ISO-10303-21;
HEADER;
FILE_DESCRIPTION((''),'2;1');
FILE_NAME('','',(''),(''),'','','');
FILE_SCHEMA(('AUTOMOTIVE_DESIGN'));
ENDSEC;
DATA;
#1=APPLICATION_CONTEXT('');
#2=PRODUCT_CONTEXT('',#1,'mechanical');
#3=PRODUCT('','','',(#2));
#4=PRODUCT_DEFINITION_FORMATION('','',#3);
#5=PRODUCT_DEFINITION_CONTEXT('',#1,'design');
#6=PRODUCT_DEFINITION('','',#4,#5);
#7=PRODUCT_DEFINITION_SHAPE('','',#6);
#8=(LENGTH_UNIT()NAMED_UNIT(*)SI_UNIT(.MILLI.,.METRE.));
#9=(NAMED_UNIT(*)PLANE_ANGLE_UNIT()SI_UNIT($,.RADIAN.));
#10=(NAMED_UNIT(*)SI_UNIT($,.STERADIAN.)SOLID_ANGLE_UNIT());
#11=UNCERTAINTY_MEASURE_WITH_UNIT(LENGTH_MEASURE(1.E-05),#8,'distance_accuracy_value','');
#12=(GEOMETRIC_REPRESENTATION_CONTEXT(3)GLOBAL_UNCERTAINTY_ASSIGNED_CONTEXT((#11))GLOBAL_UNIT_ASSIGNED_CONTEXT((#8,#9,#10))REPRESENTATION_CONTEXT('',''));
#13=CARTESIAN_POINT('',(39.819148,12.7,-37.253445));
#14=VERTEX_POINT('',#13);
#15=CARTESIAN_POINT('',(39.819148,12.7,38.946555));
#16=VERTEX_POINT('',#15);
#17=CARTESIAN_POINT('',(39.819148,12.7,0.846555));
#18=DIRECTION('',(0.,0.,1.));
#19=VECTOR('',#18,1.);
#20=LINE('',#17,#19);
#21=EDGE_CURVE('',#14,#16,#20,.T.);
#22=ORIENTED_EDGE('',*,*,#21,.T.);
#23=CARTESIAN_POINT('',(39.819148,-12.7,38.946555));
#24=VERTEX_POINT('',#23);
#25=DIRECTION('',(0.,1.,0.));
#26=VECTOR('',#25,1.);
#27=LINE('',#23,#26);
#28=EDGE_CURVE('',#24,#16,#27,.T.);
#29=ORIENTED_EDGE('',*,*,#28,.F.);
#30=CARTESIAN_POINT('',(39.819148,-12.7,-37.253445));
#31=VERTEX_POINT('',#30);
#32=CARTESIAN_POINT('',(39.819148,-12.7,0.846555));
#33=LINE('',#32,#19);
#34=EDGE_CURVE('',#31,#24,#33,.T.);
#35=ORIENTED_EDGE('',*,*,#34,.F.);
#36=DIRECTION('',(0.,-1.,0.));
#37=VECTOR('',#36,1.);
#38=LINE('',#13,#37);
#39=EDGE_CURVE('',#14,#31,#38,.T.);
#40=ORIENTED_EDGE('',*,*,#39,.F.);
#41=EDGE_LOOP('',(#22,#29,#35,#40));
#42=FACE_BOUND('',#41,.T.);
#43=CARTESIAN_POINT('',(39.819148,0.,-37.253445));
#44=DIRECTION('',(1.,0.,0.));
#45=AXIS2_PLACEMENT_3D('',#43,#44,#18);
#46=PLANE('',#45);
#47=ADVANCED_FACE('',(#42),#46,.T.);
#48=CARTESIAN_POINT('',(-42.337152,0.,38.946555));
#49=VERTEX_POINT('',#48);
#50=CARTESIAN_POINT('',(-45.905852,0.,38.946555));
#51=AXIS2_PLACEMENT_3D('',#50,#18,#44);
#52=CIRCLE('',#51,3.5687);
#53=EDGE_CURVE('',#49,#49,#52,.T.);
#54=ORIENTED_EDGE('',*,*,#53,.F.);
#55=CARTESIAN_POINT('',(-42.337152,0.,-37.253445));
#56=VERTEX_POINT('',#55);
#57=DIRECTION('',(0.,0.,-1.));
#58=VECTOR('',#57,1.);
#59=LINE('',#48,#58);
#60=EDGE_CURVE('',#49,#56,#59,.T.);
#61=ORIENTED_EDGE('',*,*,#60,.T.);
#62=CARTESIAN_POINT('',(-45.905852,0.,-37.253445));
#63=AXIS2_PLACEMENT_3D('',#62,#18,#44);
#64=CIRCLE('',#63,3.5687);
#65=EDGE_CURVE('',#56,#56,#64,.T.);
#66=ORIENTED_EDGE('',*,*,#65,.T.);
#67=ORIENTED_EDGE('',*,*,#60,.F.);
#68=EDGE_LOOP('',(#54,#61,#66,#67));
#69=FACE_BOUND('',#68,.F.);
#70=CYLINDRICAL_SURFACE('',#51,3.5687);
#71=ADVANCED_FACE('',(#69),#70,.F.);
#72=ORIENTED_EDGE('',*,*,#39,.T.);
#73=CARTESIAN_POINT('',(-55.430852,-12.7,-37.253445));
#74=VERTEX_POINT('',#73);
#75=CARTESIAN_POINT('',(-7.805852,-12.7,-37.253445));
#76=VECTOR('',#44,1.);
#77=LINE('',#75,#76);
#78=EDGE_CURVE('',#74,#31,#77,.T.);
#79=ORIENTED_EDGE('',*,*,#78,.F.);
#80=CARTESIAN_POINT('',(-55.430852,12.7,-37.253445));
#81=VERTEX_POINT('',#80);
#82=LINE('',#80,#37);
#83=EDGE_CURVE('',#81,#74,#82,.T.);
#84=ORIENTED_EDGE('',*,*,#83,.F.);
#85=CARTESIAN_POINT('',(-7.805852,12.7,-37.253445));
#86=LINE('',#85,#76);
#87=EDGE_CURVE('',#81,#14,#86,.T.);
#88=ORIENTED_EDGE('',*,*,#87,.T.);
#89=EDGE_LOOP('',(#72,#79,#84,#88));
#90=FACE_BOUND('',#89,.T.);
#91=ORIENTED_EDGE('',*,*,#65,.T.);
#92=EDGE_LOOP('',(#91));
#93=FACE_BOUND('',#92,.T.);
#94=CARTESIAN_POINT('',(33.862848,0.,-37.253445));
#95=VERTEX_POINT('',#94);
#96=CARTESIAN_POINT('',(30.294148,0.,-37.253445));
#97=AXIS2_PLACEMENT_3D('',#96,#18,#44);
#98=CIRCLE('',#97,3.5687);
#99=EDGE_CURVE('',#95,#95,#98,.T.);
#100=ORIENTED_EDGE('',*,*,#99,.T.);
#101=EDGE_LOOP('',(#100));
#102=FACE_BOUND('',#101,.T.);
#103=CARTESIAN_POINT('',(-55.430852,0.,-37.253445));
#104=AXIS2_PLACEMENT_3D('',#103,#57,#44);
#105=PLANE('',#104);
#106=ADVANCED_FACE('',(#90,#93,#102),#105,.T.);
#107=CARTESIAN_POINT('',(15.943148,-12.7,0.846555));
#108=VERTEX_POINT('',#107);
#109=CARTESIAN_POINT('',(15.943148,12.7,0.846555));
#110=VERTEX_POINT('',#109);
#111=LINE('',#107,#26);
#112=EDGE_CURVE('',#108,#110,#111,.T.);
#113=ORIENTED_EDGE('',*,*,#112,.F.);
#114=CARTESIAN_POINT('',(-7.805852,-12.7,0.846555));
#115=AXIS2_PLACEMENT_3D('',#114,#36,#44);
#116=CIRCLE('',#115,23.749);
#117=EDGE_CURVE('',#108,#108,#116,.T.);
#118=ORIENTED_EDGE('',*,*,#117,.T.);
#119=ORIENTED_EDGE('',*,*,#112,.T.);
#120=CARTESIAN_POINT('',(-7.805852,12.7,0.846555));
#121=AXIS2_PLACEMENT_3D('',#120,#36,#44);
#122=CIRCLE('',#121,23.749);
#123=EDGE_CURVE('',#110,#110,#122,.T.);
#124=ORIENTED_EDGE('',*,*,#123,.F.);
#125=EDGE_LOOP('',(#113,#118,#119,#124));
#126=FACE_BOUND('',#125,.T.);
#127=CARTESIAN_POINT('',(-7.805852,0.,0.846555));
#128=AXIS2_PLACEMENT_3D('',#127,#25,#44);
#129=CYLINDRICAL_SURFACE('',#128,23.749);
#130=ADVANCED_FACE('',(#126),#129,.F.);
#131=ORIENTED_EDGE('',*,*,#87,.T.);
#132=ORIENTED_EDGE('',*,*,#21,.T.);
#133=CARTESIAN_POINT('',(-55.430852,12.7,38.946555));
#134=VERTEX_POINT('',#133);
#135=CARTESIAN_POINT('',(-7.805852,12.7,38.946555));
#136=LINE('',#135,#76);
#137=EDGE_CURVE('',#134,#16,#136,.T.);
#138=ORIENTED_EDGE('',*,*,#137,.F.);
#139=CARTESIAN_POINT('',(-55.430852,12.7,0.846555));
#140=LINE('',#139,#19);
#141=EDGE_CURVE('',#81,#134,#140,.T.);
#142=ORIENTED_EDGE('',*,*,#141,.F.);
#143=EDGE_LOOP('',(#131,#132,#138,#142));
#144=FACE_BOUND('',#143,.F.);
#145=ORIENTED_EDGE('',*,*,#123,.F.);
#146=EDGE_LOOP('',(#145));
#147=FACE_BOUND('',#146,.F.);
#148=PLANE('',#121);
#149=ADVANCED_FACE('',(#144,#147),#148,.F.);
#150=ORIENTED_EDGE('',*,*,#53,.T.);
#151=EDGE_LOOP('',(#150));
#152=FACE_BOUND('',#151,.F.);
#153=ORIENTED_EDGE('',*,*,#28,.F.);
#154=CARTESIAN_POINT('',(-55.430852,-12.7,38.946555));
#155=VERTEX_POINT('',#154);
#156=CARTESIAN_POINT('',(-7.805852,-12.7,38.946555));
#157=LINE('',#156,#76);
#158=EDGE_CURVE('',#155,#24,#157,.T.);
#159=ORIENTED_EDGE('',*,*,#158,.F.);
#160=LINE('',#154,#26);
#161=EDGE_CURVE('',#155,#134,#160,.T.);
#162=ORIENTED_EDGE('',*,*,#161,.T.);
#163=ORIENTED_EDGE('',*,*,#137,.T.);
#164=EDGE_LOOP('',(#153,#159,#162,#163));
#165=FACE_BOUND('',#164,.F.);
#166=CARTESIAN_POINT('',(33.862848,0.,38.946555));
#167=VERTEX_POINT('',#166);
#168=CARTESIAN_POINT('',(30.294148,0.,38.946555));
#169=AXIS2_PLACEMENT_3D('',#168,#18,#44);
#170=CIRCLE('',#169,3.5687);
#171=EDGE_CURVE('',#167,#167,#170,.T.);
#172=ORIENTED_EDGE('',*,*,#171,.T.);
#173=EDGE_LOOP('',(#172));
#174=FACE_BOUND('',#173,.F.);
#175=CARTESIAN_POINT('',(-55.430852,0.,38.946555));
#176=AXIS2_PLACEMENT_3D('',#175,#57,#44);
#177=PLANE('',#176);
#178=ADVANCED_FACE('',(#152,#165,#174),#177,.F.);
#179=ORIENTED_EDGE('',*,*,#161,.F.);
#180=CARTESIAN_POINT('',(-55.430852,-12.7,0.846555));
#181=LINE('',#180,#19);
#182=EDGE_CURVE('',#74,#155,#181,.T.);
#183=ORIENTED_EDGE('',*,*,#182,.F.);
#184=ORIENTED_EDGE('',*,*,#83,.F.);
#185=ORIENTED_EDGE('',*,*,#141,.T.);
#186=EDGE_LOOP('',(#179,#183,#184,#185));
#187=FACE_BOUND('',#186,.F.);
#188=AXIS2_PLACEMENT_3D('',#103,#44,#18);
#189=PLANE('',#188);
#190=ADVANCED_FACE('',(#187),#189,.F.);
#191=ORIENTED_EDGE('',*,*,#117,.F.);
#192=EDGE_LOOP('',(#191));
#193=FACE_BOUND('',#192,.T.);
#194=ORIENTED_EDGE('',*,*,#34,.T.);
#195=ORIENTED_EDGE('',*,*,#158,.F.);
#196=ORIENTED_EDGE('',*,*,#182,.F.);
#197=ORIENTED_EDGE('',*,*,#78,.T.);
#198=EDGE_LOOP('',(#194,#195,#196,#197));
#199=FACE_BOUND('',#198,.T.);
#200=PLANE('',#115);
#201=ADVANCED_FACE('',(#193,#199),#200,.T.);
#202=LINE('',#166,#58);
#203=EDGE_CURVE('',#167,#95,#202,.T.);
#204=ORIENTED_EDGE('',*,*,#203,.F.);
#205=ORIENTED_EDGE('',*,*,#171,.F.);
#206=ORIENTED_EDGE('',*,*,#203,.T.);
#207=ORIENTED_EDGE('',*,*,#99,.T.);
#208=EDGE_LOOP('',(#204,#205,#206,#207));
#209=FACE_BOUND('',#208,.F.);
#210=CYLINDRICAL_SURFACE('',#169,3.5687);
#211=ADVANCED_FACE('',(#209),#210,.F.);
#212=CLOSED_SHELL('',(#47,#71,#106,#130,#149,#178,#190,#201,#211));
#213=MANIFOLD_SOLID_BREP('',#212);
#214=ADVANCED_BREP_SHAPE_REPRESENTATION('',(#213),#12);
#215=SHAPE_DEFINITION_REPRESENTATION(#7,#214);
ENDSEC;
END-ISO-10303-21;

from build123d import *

# Parameters (mm, degrees)
F0_W     = 95.25
F0_H     = 76.2
F0_R     = 23.749
F1_DEPTH = 12.7
F2_R     = 3.5687
F3_DEPTH = 76.2


with BuildPart() as f1:
    # F0 (on Front) → F1 (new body, symmetric)
    with BuildSketch(Plane.XZ):
        with Locations((-7.805852, 0.846555)):
            Rectangle(F0_W, F0_H)
        with Locations((-7.805852, 0.846555)):
            Circle(F0_R, mode=Mode.SUBTRACT)
    extrude(amount=F1_DEPTH, both=True)

    # F2 (on face) → F3 (cut)
    with BuildSketch(Plane.XY.offset(38.946555)):
        with Locations((-45.905852, 0)):
            Circle(F2_R)
        with Locations((30.294148, 0)):
            Circle(F2_R)
    extrude(amount=-F3_DEPTH, mode=Mode.SUBTRACT)


solid = f1.part
